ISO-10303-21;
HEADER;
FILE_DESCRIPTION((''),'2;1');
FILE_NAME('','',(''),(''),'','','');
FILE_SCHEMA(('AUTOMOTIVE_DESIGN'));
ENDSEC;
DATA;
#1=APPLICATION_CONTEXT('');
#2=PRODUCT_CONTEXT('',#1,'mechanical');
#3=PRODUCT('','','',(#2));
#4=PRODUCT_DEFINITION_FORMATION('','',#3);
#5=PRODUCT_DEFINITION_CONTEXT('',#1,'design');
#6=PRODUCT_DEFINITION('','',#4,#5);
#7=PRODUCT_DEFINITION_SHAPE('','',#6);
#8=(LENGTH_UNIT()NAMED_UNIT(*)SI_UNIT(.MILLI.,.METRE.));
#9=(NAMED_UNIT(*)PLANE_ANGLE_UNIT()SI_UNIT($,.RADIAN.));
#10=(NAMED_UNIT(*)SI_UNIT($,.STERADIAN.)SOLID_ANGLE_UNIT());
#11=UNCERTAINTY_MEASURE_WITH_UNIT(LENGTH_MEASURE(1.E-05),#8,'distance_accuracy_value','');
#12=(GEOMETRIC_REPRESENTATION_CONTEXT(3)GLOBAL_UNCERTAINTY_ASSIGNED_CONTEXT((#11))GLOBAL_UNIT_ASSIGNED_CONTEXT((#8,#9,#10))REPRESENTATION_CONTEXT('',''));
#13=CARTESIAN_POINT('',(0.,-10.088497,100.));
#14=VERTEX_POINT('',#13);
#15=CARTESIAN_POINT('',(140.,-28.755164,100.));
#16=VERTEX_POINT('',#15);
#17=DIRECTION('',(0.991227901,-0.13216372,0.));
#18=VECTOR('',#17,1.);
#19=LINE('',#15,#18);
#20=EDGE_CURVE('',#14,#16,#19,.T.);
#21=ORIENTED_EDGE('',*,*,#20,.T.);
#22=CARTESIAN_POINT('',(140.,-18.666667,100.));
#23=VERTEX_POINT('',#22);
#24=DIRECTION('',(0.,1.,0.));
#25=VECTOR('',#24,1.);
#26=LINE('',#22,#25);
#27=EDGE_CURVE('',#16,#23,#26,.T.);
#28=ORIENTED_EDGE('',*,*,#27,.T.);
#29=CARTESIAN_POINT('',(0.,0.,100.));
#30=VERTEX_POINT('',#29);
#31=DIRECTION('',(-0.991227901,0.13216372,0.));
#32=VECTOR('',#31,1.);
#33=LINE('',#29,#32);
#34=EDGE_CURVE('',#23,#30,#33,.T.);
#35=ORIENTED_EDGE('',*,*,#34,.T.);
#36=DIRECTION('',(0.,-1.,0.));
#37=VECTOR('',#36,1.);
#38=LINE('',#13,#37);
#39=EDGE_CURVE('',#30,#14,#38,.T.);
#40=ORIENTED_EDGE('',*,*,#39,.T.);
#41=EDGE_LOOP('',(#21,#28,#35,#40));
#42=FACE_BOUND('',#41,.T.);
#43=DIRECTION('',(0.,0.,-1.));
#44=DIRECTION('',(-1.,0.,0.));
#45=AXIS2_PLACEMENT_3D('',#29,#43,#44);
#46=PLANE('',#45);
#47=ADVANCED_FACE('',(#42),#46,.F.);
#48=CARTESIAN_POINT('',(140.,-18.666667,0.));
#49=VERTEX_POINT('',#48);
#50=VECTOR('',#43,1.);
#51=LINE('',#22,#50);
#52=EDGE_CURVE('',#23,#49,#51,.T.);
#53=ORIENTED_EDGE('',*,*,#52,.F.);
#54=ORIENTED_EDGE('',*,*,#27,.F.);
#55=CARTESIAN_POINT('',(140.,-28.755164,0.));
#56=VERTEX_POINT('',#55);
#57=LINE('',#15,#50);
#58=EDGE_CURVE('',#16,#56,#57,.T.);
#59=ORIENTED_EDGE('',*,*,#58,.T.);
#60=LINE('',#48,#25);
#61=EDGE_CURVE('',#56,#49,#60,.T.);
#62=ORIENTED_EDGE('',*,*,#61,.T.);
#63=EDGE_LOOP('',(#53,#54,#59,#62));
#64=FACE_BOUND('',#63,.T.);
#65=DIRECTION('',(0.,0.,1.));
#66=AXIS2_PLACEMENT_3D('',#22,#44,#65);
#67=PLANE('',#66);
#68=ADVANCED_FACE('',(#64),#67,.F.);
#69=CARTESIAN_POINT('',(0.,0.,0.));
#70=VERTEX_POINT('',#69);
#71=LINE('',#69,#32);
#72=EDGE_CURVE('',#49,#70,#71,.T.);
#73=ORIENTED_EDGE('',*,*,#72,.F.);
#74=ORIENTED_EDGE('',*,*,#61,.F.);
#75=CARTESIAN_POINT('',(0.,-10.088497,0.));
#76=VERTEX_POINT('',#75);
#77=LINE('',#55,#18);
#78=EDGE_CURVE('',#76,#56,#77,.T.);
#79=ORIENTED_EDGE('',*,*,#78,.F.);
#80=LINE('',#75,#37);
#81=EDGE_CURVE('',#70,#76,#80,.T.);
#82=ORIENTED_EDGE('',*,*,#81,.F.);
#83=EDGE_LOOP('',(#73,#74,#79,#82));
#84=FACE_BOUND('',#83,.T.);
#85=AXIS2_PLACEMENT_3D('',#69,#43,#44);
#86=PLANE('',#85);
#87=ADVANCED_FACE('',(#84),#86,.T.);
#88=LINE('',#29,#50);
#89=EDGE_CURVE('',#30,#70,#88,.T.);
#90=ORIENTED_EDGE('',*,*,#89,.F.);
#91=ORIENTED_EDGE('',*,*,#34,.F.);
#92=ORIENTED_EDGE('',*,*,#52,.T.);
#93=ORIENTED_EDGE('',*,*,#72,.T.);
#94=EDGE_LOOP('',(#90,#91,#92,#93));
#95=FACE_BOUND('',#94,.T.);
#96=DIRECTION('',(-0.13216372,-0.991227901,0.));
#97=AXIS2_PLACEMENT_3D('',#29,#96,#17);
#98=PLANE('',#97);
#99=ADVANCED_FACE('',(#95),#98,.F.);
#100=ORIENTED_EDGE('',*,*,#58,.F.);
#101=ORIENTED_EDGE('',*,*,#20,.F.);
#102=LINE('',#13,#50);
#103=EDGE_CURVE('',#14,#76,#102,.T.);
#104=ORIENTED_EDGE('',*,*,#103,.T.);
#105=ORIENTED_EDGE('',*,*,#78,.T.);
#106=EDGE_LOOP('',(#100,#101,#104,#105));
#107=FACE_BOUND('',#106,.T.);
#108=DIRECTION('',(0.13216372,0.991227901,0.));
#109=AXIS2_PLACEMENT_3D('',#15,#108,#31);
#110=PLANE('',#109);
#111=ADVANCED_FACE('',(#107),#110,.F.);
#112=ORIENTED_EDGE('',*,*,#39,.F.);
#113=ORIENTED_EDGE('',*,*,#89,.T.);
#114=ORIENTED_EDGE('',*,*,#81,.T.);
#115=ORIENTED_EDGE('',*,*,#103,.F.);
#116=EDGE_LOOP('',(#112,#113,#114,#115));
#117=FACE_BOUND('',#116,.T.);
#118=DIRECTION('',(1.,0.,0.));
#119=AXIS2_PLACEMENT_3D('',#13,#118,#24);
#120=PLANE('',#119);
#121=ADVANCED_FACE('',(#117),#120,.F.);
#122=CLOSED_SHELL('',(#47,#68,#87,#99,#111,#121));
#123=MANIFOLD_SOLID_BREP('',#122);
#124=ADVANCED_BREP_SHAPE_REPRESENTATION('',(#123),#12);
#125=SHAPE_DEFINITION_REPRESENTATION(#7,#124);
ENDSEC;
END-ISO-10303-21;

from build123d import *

# Parameters (mm, degrees)
BOSS_EXTRUDE1_DEPTH = 100


with BuildPart() as part:
    # Sketch1 → Boss-Extrude1 (new body)
    with BuildSketch(Plane.XY):
        Polygon((0, 0), (140, -18.666666667), (140, -28.755163967), (0, -10.0884973), align=None)
    extrude(amount=BOSS_EXTRUDE1_DEPTH)


solid = part.part
